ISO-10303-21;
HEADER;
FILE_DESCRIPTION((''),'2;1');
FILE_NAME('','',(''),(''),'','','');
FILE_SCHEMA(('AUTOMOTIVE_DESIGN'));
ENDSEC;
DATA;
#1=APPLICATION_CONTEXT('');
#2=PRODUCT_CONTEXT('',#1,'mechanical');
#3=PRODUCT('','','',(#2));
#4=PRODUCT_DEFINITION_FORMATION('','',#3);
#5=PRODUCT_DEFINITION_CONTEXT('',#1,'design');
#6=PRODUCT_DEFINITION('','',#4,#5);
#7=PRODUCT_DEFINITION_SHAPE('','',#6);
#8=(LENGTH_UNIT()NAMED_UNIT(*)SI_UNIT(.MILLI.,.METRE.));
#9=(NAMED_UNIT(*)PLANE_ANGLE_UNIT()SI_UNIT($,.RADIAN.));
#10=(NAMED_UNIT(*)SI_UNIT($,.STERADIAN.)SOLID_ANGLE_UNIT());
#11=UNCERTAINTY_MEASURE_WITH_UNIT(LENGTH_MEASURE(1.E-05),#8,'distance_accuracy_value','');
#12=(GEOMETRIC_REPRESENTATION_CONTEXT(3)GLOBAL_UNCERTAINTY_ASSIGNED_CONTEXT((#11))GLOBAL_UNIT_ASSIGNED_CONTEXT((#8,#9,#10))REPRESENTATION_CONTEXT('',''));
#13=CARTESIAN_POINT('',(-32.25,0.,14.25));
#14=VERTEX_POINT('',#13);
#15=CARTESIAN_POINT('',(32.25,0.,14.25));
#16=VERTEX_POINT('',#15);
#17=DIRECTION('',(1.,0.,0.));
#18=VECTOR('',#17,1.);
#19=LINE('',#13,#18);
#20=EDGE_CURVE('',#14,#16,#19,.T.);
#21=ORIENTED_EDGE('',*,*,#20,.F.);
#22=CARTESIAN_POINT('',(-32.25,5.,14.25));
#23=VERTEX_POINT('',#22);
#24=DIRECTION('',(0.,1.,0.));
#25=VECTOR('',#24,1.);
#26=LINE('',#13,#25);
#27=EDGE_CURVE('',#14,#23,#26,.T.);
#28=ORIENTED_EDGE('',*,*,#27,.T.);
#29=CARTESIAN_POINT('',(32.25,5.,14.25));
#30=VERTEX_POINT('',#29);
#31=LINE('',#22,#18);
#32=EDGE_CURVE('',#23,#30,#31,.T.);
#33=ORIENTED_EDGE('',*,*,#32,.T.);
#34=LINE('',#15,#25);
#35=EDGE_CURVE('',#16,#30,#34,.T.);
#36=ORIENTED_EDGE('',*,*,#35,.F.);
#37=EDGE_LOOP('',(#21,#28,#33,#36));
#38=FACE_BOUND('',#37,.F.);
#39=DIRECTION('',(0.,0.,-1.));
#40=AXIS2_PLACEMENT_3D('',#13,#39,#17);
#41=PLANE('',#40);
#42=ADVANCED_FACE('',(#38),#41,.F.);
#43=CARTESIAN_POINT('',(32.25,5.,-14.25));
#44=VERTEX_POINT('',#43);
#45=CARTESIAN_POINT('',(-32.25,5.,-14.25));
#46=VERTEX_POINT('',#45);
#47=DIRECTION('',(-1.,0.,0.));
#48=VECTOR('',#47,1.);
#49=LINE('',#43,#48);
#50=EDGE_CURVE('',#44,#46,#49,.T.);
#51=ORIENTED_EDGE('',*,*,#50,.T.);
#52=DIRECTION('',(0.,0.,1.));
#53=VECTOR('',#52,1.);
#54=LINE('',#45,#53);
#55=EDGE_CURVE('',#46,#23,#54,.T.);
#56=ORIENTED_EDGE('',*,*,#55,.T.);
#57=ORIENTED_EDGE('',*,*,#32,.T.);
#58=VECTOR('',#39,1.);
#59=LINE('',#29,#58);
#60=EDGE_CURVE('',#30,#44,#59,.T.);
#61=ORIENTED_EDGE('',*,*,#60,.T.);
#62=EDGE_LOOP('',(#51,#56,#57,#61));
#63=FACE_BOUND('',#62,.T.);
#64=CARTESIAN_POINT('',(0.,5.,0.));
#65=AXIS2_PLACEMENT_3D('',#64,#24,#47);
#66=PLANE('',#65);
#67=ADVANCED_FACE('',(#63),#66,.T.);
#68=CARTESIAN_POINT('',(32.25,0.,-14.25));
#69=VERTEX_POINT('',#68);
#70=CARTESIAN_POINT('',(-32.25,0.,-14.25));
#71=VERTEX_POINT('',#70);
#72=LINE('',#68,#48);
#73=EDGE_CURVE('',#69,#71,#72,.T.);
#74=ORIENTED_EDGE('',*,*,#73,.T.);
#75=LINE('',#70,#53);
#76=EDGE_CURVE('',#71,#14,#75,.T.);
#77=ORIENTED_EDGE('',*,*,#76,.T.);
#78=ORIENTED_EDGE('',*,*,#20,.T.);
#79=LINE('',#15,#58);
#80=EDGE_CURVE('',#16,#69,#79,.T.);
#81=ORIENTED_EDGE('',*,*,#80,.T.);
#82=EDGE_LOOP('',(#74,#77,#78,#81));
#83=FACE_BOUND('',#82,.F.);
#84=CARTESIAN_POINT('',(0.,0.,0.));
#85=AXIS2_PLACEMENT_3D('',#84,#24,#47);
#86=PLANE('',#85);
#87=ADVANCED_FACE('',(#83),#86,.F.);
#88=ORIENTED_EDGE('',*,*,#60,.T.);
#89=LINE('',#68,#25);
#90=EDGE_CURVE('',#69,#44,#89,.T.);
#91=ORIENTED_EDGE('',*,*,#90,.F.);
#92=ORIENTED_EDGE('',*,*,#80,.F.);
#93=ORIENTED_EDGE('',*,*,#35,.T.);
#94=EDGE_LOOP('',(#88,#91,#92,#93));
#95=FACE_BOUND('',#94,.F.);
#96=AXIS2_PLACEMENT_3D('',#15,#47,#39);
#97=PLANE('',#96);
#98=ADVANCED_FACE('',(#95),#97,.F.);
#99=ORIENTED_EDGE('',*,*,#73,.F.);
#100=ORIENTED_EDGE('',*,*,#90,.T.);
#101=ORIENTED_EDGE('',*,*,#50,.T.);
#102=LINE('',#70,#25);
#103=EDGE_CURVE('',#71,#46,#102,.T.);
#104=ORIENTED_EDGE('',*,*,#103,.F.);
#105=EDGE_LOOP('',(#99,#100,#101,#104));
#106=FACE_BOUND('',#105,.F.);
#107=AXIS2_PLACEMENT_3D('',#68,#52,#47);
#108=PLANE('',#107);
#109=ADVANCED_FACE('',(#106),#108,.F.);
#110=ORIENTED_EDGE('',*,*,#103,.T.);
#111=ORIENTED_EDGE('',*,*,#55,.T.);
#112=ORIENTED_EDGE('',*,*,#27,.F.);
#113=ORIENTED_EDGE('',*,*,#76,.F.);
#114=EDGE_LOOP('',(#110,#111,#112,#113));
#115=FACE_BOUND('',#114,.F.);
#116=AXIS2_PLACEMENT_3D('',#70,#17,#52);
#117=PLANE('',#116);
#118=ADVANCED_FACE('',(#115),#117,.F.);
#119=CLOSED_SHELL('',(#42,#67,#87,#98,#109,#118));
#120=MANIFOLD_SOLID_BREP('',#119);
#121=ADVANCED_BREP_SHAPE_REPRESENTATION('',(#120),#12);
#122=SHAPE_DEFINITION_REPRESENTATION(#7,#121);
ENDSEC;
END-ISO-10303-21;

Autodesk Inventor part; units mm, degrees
ref_plane "YZ Plane" through (0, 0, 0) normal (1, 0, 0) x (0, 1, 0)
ref_plane "XZ Plane" through (0, 0, 0) normal (0, 1, 0) x (-1, 0, 0)
ref_plane "XY Plane" through (0, 0, 0) normal (0, 0, 1) x (1, 0, 0)
sketch "Boceto1" plane through (0, 0, 0) normal (0, 1, 0) x (-1, 0, 0)
  line L0 (-32.25, -14.25) -> (32.25, -14.25)
  line L1 (32.25, -14.25) -> (32.25, 14.25)
  line L2 (32.25, 14.25) -> (-32.25, 14.25)
  line L3 (-32.25, 14.25) -> (-32.25, -14.25)
  line L4 (-32.25, -14.25) -> (32.25, 14.25) construction
  line L5 (32.25, -14.25) -> (-32.25, 14.25) construction
  point P0 (0, 0)
  dimension "d0" = 64.5
  dimension "d1" = 28.5
extrude "Extrusión1" add sketch "Boceto1" along normal blind 5
properties part number "ESP32S3"
